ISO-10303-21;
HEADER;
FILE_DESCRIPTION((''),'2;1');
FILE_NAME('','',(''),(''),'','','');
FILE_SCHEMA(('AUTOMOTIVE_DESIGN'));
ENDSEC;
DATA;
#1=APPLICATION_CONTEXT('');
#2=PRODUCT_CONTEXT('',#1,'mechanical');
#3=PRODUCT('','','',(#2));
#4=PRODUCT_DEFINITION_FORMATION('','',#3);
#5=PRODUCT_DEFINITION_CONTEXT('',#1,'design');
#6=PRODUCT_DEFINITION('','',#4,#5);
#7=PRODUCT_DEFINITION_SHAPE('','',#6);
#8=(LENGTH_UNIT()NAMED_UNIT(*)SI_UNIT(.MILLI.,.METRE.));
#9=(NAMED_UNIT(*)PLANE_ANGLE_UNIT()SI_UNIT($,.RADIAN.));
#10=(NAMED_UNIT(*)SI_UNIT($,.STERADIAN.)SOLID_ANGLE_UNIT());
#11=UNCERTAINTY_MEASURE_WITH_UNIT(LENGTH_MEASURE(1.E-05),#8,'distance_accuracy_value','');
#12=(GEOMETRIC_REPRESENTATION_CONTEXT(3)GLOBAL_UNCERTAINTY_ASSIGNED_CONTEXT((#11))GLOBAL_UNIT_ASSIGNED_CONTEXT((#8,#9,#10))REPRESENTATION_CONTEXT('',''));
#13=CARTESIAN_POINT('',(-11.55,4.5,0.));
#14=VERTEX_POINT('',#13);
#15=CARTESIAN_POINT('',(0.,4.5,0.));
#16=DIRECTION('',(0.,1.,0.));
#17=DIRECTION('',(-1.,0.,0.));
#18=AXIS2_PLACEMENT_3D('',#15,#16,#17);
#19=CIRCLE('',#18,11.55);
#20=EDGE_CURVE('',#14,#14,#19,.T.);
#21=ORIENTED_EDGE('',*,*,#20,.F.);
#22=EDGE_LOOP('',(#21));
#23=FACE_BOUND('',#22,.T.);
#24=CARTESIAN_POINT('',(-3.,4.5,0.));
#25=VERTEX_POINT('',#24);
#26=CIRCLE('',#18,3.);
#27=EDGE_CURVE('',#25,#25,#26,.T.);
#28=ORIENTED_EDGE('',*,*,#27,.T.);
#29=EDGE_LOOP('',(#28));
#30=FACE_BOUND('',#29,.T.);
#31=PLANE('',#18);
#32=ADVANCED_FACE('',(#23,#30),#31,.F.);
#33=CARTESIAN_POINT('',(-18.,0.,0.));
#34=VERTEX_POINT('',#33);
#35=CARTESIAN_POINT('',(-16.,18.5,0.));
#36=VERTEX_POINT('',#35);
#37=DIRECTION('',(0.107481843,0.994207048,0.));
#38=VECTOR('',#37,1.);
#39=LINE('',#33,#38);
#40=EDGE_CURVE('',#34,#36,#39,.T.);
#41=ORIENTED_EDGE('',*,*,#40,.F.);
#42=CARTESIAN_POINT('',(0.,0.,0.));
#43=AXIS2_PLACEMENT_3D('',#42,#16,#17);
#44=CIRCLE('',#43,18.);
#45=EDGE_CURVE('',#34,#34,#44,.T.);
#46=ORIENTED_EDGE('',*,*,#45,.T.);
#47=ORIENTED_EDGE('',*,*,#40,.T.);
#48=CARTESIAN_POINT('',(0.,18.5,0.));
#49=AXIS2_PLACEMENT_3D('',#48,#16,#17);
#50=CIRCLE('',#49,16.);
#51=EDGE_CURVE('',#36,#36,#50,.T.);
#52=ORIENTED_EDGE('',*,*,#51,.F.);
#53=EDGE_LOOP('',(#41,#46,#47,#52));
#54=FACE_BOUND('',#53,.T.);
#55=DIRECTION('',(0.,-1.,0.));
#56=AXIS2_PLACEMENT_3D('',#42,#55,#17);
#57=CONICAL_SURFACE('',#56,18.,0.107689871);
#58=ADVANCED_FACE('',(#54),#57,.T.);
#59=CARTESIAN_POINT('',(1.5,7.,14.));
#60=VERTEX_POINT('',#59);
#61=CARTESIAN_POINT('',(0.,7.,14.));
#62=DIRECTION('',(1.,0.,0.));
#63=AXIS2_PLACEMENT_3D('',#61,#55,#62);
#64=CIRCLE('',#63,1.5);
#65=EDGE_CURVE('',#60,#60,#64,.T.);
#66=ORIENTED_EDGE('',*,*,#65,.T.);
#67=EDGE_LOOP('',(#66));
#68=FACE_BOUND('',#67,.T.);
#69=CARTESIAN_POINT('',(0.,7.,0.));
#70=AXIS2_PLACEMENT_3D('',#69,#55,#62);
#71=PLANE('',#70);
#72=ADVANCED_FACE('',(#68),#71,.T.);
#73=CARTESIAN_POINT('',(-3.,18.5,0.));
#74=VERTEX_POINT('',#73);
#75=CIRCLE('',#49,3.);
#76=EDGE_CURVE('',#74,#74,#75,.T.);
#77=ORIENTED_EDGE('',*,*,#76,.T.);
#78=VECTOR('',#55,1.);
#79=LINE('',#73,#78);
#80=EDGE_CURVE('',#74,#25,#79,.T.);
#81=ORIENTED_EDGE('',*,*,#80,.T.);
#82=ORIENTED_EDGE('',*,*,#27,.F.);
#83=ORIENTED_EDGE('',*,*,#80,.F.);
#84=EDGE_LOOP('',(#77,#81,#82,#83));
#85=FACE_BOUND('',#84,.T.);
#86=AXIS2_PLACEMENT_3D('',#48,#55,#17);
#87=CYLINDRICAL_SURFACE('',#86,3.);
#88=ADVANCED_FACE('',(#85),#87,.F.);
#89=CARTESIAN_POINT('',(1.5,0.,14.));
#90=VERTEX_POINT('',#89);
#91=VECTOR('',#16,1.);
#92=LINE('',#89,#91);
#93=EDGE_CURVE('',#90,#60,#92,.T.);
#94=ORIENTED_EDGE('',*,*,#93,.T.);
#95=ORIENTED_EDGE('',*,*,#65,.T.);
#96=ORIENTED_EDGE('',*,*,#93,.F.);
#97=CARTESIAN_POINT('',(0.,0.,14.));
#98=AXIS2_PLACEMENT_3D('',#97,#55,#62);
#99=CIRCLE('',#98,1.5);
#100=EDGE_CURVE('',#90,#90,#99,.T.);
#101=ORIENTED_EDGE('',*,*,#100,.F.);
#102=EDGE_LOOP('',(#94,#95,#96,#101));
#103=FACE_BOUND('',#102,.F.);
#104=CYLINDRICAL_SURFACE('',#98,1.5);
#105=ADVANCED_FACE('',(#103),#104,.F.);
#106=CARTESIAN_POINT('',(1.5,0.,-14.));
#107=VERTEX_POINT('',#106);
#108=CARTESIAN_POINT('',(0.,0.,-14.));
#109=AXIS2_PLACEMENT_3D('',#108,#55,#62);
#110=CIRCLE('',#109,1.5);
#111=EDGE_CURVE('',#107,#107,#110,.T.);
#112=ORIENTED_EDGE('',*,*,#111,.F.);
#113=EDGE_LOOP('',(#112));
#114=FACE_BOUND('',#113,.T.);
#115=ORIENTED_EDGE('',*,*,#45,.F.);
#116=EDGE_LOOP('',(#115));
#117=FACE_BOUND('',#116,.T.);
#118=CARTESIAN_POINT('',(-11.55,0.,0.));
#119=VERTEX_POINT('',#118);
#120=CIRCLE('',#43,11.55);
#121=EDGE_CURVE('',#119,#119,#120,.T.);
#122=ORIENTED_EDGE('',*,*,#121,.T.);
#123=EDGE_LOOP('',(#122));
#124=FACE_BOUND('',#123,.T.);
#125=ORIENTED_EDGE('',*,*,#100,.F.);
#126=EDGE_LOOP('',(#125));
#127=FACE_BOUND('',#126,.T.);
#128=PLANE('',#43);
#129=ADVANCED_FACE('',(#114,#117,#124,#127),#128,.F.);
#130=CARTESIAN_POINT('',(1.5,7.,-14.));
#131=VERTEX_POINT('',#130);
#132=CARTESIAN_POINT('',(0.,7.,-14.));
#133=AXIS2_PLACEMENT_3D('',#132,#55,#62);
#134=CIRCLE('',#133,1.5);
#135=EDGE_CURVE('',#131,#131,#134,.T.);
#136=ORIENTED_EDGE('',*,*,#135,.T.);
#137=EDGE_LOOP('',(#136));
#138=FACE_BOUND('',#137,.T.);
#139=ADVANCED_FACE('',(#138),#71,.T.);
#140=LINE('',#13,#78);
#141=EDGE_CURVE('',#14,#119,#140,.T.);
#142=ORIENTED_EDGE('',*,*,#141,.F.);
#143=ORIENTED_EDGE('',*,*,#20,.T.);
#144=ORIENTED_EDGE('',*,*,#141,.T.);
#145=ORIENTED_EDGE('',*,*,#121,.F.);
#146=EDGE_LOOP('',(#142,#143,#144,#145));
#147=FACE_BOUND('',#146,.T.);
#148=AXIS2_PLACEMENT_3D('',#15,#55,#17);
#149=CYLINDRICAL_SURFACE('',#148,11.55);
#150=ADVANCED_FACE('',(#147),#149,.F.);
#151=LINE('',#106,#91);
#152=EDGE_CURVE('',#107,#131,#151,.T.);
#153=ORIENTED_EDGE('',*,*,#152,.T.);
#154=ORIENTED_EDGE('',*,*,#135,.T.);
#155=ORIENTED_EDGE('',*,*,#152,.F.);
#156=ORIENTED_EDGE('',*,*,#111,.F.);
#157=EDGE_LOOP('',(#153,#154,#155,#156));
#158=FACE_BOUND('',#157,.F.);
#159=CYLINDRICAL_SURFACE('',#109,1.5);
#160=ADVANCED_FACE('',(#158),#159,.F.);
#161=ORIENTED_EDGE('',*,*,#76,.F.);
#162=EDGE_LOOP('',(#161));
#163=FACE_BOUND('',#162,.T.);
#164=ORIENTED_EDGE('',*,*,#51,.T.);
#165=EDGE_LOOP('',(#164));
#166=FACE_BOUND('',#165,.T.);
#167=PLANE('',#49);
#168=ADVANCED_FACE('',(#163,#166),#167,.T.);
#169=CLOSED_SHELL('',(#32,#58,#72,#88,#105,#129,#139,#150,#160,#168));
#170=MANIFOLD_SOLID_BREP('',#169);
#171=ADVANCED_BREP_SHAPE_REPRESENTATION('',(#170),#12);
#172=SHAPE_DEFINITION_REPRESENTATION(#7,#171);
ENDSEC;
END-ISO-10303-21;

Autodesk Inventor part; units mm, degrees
ref_plane "YZ Plane" through (0, 0, 0) normal (1, 0, 0) x (0, 1, 0)
ref_plane "XZ Plane" through (0, 0, 0) normal (0, 1, 0) x (-1, 0, 0)
ref_plane "XY Plane" through (0, 0, 0) normal (0, 0, 1) x (1, 0, 0)
sketch "Esquisse1" plane through (0, 0, 0) normal (0, 0, 1) x (1, 0, 0)
  line L0 (-18, 0) -> (-16, 18.5)
  line L1 (-16, 18.5) -> (-3, 18.5)
  line L2 (-3, 18.5) -> (-3, 4.5)
  line L3 (-3, 4.5) -> (-11.55, 4.5)
  line L4 (-11.55, 4.5) -> (-11.55, 0)
  line L5 (-11.55, 0) -> (-18, 0)
  line L6 (0, -3.7) -> (0, 22.2) construction
  line L7 (-21.6, 0) -> (3.6, 0) construction
  point P0 (0, 0)
  dimension "d0" = 4.5
  dimension "d3" = 6
  dimension "d4" = 36
  dimension "d5" = 23.1
  dimension "d6" = 32
  dimension "d8" = 18.5
revolve "Révolution1" add sketch "Esquisse1" angle 360 about axis through (0, -10, 0) along (0, 1, 0)
sketch "Esquisse2" plane through (0, 0, 0) normal (0, -1, 0) x (1, 0, 0)
  circle A0 centre (0, 0) radius 14 construction
  circle A1 centre (0, -14) radius 1.5
  line L0 (0, -25.2) -> (0, 25.2) construction
  circle A2 centre (0, 14) radius 1.5
  dimension "d10" = 28
  dimension "d11" = 3
  dimension "d14" = 3
extrude "Extrusion1" cut sketch "Esquisse2" against normal blind 7
properties part number "bouton"
